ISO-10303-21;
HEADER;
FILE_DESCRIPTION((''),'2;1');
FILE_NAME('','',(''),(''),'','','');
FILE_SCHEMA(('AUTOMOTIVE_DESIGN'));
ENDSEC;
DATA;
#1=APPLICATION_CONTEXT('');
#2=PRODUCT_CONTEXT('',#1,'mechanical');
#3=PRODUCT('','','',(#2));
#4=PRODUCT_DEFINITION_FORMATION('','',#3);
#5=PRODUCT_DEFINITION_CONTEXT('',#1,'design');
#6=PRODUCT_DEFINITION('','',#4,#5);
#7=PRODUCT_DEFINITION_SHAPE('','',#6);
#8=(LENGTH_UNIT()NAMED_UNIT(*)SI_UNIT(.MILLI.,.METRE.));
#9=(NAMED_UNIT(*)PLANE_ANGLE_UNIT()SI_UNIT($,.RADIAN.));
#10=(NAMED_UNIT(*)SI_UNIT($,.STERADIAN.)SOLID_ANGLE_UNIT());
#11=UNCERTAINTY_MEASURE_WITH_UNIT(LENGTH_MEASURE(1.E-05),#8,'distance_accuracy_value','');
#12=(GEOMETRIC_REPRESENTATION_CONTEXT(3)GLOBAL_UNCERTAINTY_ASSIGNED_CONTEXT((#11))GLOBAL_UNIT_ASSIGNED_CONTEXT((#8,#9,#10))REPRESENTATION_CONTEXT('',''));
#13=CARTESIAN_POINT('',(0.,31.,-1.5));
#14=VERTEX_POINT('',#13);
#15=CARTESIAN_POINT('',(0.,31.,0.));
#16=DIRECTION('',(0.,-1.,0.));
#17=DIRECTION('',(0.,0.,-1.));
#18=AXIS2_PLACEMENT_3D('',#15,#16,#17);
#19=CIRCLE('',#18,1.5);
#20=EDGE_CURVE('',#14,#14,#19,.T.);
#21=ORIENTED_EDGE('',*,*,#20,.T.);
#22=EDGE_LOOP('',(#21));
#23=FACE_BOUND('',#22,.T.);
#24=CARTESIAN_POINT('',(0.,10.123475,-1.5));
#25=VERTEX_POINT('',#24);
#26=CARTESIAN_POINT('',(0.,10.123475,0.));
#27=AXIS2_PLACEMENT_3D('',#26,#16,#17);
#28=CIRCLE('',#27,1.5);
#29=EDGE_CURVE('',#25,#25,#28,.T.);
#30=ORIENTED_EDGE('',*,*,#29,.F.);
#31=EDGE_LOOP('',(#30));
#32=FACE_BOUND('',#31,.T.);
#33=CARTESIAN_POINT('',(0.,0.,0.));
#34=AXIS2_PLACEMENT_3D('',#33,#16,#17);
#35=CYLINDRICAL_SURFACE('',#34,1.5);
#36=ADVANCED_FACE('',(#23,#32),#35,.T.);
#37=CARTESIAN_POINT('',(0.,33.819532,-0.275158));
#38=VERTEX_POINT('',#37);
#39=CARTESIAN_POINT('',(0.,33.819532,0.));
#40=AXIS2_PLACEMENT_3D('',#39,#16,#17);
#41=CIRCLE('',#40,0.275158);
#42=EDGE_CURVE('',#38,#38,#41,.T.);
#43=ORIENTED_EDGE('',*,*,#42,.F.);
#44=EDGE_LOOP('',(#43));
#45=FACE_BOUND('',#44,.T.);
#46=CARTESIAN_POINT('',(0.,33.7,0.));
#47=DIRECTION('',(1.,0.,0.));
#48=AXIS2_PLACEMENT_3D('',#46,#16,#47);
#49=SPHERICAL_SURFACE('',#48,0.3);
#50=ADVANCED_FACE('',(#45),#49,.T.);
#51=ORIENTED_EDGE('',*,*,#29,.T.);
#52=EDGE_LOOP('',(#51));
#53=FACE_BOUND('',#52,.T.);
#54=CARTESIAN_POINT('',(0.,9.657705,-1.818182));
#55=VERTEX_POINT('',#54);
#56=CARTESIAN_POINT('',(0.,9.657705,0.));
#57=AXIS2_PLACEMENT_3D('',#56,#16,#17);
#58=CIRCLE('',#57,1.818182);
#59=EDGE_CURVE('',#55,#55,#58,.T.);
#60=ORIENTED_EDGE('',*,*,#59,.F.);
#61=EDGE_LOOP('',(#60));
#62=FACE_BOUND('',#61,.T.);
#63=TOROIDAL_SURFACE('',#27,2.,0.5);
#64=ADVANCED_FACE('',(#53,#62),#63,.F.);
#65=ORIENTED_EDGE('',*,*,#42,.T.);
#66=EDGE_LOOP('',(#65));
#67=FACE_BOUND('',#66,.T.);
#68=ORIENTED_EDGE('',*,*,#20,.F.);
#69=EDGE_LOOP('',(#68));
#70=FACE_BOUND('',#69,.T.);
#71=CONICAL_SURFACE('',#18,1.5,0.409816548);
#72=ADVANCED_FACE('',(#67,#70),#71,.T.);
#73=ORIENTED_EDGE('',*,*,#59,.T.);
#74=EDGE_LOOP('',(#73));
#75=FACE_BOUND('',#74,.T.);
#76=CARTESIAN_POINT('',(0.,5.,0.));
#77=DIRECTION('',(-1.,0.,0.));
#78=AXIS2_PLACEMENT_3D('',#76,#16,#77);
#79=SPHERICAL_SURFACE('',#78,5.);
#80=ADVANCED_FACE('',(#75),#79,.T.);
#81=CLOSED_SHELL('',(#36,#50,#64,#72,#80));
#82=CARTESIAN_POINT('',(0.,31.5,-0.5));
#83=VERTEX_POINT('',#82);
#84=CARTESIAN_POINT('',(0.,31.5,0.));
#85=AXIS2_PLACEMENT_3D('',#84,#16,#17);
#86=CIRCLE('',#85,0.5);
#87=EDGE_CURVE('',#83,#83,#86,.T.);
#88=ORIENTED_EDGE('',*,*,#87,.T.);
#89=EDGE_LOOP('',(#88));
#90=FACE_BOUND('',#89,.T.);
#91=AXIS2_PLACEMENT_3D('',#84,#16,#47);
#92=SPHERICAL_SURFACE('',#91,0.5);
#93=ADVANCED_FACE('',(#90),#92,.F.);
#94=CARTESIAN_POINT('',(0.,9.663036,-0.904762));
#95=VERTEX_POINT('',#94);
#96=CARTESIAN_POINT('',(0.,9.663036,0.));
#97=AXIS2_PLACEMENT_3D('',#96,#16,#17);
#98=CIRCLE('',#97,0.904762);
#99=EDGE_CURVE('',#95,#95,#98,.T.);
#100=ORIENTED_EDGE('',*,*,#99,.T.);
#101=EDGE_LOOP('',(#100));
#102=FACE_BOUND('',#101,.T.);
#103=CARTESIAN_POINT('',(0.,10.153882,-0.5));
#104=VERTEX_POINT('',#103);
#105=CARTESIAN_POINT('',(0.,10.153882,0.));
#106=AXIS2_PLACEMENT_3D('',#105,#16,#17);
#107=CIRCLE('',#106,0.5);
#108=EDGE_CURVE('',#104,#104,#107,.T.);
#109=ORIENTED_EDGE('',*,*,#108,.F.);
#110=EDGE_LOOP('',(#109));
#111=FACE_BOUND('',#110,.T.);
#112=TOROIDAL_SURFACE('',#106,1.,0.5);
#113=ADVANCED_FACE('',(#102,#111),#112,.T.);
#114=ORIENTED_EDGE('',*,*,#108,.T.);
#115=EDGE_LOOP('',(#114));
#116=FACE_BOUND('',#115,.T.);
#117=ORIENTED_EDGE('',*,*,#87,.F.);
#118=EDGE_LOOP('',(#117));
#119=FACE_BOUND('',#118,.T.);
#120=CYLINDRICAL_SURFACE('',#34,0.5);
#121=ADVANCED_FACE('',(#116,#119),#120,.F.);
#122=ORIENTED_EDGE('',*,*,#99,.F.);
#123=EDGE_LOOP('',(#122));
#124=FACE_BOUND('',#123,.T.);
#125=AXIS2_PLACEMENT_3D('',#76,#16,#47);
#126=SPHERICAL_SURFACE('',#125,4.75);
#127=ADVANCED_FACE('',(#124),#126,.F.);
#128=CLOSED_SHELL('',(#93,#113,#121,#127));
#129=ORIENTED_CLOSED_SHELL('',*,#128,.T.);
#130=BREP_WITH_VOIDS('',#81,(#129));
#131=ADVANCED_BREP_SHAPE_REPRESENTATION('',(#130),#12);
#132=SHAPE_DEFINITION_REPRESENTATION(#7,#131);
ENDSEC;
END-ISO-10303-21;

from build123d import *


with BuildPart() as part:
    # Эскиз1 → Повернуть1 (revolve)
    with BuildSketch(Plane.XY):
        with BuildLine():
            Line((1.5, 31), (0.27515818, 33.819532322))
            ThreePointArc((0.27515818, 33.819532322), (0.164530094, 33.950858224), (0, 34))
            Line((0, 34), (0, 32))
            ThreePointArc((0, 32), (0.353553391, 31.853553391), (0.5, 31.5))
            Line((0.5, 31.5), (0.5, 10.153882032))
            ThreePointArc((0.5, 10.153882032), (0.614241625, 9.835777527), (0.904761905, 9.663036124))
            ThreePointArc((0.904761905, 9.663036124), (4.728209047, 4.545534154), (0, 0.25))
            Line((0, 0.25), (0, 0))
            ThreePointArc((0, 0), (4.913681129, 4.074939047), (1.818181818, 9.657704894))
            ThreePointArc((1.818181818, 9.657704894), (1.587138588, 9.841437346), (1.5, 10.123475383))
            Line((1.5, 10.123475383), (1.5, 31))
        make_face()
    revolve(axis=Axis((0, 0, 0), (0, 1, 0)))


solid = part.part
